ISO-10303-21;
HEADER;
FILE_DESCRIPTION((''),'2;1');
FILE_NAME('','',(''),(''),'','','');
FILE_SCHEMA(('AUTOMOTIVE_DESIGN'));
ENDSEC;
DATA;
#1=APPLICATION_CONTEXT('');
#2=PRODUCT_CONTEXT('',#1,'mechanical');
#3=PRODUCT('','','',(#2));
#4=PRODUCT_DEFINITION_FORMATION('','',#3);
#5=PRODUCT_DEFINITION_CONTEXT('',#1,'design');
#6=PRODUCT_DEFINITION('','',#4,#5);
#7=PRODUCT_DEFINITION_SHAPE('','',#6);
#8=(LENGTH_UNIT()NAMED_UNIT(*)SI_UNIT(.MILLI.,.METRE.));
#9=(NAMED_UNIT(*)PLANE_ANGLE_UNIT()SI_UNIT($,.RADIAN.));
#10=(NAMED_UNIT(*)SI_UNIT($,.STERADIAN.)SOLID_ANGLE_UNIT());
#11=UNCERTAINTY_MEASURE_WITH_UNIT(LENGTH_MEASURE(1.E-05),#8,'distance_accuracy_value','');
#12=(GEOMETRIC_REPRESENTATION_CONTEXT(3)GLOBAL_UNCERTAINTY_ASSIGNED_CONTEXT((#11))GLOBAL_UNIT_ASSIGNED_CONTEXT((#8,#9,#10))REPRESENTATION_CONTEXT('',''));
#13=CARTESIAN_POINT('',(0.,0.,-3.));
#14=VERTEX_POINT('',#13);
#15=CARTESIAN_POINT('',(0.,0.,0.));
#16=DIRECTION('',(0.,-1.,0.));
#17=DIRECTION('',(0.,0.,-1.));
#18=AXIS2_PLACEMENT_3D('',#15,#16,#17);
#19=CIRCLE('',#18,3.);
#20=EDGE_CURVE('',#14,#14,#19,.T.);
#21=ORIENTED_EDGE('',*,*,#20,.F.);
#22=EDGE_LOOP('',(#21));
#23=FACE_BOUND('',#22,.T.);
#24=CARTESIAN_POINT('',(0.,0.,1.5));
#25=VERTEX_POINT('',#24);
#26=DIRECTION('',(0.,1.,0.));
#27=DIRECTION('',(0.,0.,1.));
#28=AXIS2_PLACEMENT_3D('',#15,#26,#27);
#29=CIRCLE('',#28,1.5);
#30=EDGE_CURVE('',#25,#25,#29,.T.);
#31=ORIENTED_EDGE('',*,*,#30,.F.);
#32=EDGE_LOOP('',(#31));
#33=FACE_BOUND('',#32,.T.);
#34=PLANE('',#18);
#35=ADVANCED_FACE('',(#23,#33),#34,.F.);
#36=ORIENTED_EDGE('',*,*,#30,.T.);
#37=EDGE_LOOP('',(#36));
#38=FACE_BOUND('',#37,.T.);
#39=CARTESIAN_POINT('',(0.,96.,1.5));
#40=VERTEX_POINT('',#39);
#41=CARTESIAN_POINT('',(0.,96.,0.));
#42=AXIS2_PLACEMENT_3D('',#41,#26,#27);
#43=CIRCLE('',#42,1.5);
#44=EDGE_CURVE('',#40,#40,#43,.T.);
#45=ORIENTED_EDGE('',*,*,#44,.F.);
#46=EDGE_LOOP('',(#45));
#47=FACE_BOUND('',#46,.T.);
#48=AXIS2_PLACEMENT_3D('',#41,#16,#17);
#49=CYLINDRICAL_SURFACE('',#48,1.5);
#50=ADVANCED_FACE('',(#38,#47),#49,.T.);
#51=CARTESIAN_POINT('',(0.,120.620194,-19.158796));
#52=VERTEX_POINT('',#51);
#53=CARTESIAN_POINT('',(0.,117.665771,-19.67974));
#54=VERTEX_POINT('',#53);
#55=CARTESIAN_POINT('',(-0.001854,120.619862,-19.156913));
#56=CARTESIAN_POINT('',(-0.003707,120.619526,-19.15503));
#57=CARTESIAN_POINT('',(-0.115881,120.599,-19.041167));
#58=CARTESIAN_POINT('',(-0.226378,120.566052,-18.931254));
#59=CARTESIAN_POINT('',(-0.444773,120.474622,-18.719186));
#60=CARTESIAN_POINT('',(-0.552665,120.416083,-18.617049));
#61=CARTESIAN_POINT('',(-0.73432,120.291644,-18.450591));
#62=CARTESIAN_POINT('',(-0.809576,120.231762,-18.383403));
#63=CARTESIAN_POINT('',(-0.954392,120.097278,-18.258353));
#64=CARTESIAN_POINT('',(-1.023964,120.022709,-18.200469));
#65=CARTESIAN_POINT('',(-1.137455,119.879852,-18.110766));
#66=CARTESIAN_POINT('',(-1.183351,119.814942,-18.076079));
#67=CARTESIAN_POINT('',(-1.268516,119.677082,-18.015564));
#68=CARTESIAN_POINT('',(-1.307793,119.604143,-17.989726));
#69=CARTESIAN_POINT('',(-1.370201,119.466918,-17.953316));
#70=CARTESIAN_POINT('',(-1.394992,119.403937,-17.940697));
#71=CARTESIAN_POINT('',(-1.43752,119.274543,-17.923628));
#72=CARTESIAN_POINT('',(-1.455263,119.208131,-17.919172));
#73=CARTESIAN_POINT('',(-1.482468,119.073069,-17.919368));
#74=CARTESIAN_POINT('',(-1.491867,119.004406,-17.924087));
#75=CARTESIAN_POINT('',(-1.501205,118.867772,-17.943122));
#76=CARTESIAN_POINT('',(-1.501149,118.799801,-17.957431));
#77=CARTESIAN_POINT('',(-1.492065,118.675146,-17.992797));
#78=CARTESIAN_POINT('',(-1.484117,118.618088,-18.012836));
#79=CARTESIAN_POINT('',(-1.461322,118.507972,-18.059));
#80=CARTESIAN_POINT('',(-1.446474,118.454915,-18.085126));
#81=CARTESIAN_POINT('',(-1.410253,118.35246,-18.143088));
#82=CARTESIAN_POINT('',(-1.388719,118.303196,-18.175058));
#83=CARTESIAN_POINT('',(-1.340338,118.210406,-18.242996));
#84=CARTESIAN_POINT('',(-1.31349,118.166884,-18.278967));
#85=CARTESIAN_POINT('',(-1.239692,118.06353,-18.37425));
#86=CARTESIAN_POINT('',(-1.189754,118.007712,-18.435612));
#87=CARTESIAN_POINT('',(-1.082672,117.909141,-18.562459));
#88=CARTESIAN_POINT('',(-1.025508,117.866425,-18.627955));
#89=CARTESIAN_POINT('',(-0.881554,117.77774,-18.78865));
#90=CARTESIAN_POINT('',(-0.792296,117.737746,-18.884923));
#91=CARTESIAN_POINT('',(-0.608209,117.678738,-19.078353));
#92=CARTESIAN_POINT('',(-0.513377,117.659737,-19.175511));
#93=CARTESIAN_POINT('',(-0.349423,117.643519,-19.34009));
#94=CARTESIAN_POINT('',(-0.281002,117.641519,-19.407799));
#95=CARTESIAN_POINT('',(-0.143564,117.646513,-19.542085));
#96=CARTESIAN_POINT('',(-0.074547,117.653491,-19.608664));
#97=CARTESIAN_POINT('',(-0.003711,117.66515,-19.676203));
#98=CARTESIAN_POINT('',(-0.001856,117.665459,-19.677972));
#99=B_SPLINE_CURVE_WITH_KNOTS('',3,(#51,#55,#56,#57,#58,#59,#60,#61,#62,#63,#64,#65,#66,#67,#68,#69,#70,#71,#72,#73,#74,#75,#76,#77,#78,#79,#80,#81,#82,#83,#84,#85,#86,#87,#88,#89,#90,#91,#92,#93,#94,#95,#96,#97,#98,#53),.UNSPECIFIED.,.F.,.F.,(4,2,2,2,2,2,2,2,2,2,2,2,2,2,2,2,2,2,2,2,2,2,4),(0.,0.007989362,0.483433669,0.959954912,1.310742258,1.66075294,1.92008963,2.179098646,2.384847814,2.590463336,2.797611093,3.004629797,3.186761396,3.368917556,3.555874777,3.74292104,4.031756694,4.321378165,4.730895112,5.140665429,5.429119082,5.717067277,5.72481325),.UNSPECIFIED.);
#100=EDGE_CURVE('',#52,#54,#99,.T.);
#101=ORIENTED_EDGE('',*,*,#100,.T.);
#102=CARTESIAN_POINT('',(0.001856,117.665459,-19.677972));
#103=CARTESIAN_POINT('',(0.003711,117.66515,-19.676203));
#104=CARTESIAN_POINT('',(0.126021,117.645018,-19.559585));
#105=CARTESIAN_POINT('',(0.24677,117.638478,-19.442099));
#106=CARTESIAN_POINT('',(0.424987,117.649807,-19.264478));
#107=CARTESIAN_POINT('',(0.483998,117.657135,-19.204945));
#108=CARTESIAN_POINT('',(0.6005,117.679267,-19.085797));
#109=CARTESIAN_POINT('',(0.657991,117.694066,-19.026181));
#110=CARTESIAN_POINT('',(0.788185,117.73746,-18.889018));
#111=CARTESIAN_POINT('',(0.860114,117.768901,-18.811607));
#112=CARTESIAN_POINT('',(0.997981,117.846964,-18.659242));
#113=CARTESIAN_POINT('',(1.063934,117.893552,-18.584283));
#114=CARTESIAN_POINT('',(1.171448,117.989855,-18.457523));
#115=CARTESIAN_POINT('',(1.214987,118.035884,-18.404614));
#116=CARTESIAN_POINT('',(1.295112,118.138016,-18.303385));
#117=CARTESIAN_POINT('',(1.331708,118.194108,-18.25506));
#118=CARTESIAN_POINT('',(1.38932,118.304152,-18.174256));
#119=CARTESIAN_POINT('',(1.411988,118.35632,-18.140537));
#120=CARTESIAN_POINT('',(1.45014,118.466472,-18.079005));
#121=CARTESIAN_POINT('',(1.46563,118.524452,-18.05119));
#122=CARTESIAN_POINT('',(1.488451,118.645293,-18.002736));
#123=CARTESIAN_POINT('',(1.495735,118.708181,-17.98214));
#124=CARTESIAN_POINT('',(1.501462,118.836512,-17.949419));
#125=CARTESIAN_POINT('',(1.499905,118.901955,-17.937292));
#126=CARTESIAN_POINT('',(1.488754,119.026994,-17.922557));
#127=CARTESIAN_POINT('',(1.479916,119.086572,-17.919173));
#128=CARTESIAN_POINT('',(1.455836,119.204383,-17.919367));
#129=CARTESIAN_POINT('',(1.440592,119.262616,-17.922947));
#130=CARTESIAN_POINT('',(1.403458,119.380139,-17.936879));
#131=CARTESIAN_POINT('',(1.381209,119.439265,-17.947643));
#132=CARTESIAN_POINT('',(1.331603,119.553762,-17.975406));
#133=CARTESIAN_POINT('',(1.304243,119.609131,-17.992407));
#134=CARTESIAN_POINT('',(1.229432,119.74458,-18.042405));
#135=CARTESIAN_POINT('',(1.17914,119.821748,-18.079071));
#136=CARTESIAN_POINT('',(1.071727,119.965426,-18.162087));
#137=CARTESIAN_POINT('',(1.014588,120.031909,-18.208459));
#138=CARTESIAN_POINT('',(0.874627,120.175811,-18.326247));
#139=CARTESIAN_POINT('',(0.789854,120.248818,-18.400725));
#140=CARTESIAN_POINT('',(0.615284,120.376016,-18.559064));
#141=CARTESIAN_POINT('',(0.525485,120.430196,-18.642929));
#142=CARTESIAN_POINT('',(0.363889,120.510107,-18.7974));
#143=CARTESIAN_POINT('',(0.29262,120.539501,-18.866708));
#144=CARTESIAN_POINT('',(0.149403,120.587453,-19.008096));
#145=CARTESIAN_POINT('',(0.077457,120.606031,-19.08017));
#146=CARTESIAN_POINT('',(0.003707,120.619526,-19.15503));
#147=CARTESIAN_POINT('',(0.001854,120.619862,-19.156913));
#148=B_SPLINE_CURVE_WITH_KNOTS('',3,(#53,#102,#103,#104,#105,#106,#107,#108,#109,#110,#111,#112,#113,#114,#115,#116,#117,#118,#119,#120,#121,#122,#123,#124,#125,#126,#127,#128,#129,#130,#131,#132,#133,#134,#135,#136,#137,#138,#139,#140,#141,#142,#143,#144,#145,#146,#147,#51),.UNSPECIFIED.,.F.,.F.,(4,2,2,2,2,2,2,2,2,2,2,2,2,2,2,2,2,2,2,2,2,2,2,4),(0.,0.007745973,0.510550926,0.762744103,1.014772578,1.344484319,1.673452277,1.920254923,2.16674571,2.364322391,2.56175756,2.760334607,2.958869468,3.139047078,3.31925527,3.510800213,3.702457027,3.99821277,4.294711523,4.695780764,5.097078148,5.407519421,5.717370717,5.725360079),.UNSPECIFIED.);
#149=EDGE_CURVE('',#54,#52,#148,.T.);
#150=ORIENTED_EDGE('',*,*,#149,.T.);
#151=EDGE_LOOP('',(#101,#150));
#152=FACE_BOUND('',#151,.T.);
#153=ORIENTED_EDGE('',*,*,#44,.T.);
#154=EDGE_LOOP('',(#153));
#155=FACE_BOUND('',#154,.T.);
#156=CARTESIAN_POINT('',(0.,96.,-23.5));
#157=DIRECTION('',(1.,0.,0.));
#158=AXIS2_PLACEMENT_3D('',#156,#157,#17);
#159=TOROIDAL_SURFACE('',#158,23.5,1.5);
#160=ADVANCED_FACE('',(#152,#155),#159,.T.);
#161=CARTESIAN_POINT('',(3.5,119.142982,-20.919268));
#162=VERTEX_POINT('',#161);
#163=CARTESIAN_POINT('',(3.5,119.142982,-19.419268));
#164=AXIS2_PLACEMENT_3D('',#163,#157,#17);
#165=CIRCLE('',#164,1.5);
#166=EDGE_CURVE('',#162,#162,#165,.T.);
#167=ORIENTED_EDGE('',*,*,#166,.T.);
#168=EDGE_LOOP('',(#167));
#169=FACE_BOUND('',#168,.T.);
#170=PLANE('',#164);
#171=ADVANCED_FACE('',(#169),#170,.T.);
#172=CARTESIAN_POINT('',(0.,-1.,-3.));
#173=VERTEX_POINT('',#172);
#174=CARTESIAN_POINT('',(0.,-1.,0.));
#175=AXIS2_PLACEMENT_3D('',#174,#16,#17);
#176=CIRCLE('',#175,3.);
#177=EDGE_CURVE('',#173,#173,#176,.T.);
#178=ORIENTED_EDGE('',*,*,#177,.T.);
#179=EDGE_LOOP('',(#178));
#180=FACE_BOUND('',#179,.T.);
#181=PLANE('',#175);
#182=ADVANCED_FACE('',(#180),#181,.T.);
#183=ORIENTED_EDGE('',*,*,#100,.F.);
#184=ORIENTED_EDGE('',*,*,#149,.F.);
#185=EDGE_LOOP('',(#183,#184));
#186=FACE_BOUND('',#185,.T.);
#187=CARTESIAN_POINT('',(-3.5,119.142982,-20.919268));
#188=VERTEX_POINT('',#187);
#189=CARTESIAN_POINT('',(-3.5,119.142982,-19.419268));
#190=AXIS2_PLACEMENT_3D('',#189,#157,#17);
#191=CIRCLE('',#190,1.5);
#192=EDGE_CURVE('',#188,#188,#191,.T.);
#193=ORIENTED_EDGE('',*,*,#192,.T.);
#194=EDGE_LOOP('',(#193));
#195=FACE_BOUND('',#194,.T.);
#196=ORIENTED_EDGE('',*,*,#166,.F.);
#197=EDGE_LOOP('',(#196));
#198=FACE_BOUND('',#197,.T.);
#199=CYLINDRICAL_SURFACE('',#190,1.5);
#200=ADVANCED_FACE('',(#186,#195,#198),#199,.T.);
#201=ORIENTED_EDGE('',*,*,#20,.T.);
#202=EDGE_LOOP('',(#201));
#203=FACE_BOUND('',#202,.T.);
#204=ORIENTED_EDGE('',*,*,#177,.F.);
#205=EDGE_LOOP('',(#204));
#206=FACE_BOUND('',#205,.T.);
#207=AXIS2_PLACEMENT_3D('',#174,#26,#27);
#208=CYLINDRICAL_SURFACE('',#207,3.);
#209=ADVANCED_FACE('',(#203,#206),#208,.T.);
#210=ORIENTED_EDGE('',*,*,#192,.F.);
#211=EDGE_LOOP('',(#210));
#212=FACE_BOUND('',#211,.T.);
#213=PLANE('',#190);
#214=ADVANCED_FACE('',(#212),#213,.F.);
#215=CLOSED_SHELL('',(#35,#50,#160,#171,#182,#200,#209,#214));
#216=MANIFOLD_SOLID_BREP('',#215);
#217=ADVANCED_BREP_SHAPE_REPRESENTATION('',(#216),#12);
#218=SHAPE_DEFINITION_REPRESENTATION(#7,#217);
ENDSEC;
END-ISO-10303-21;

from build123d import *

# Parameters (mm, degrees)
SKETCH1_R                = 1.5
BOSS_EXTRUDE1_DEPTH      = 96
SKETCH4_R                = 3
BOSS_EXTRUDE4_DEPTH      = 1
SKETCH7_R                = 1.5
REVOLVE1_ANGLE           = 80
BOSS_EXTRUDE5_DEPTH      = 3.5
BOSS_EXTRUDE5_DEPTH_BACK = 3.5
SKETCH8_R                = 1.5


with BuildPart() as part:
    # Sketch1 → Boss-Extrude1 (new body)
    with BuildSketch(Plane(origin=(0, 0, 0), x_dir=(1, 0, 0), z_dir=(0, 1, 0))):
        with Locations(Location((0, 0, 0), (0, 0, 270))):
            Circle(SKETCH1_R)
    extrude(amount=BOSS_EXTRUDE1_DEPTH)

    # Sketch4 → Boss-Extrude4 (add)
    with BuildSketch(Plane.XZ):
        with Locations(Location((0, 0, 0), (0, 0, 270))):
            Circle(SKETCH4_R)
    extrude(amount=BOSS_EXTRUDE4_DEPTH)

    # Sketch7 → Revolve1 (revolve)
    with BuildSketch(Plane(origin=(0, 96, 0), x_dir=(1, 0, 0), z_dir=(0, 1, 0))):
        with Locations(Location((0, 0, 0), (0, 0, 270))):
            Circle(SKETCH7_R)
    revolve(axis=Axis((-42.510122648, 96, -23.5), (-1, 0, 0)), revolution_arc=REVOLVE1_ANGLE)

    # Sketch8 → Boss-Extrude5 (add, two sides: drawn at the far end of the back side and taken through both)
    with BuildSketch(Plane(origin=(0, 0, 0), x_dir=(0, 0, -1), z_dir=(1, 0, 0)).offset(-BOSS_EXTRUDE5_DEPTH_BACK)):
        with Locations((19.419267825, 119.142982196)):
            Circle(SKETCH8_R)
    extrude(amount=BOSS_EXTRUDE5_DEPTH + BOSS_EXTRUDE5_DEPTH_BACK)


solid = part.part
